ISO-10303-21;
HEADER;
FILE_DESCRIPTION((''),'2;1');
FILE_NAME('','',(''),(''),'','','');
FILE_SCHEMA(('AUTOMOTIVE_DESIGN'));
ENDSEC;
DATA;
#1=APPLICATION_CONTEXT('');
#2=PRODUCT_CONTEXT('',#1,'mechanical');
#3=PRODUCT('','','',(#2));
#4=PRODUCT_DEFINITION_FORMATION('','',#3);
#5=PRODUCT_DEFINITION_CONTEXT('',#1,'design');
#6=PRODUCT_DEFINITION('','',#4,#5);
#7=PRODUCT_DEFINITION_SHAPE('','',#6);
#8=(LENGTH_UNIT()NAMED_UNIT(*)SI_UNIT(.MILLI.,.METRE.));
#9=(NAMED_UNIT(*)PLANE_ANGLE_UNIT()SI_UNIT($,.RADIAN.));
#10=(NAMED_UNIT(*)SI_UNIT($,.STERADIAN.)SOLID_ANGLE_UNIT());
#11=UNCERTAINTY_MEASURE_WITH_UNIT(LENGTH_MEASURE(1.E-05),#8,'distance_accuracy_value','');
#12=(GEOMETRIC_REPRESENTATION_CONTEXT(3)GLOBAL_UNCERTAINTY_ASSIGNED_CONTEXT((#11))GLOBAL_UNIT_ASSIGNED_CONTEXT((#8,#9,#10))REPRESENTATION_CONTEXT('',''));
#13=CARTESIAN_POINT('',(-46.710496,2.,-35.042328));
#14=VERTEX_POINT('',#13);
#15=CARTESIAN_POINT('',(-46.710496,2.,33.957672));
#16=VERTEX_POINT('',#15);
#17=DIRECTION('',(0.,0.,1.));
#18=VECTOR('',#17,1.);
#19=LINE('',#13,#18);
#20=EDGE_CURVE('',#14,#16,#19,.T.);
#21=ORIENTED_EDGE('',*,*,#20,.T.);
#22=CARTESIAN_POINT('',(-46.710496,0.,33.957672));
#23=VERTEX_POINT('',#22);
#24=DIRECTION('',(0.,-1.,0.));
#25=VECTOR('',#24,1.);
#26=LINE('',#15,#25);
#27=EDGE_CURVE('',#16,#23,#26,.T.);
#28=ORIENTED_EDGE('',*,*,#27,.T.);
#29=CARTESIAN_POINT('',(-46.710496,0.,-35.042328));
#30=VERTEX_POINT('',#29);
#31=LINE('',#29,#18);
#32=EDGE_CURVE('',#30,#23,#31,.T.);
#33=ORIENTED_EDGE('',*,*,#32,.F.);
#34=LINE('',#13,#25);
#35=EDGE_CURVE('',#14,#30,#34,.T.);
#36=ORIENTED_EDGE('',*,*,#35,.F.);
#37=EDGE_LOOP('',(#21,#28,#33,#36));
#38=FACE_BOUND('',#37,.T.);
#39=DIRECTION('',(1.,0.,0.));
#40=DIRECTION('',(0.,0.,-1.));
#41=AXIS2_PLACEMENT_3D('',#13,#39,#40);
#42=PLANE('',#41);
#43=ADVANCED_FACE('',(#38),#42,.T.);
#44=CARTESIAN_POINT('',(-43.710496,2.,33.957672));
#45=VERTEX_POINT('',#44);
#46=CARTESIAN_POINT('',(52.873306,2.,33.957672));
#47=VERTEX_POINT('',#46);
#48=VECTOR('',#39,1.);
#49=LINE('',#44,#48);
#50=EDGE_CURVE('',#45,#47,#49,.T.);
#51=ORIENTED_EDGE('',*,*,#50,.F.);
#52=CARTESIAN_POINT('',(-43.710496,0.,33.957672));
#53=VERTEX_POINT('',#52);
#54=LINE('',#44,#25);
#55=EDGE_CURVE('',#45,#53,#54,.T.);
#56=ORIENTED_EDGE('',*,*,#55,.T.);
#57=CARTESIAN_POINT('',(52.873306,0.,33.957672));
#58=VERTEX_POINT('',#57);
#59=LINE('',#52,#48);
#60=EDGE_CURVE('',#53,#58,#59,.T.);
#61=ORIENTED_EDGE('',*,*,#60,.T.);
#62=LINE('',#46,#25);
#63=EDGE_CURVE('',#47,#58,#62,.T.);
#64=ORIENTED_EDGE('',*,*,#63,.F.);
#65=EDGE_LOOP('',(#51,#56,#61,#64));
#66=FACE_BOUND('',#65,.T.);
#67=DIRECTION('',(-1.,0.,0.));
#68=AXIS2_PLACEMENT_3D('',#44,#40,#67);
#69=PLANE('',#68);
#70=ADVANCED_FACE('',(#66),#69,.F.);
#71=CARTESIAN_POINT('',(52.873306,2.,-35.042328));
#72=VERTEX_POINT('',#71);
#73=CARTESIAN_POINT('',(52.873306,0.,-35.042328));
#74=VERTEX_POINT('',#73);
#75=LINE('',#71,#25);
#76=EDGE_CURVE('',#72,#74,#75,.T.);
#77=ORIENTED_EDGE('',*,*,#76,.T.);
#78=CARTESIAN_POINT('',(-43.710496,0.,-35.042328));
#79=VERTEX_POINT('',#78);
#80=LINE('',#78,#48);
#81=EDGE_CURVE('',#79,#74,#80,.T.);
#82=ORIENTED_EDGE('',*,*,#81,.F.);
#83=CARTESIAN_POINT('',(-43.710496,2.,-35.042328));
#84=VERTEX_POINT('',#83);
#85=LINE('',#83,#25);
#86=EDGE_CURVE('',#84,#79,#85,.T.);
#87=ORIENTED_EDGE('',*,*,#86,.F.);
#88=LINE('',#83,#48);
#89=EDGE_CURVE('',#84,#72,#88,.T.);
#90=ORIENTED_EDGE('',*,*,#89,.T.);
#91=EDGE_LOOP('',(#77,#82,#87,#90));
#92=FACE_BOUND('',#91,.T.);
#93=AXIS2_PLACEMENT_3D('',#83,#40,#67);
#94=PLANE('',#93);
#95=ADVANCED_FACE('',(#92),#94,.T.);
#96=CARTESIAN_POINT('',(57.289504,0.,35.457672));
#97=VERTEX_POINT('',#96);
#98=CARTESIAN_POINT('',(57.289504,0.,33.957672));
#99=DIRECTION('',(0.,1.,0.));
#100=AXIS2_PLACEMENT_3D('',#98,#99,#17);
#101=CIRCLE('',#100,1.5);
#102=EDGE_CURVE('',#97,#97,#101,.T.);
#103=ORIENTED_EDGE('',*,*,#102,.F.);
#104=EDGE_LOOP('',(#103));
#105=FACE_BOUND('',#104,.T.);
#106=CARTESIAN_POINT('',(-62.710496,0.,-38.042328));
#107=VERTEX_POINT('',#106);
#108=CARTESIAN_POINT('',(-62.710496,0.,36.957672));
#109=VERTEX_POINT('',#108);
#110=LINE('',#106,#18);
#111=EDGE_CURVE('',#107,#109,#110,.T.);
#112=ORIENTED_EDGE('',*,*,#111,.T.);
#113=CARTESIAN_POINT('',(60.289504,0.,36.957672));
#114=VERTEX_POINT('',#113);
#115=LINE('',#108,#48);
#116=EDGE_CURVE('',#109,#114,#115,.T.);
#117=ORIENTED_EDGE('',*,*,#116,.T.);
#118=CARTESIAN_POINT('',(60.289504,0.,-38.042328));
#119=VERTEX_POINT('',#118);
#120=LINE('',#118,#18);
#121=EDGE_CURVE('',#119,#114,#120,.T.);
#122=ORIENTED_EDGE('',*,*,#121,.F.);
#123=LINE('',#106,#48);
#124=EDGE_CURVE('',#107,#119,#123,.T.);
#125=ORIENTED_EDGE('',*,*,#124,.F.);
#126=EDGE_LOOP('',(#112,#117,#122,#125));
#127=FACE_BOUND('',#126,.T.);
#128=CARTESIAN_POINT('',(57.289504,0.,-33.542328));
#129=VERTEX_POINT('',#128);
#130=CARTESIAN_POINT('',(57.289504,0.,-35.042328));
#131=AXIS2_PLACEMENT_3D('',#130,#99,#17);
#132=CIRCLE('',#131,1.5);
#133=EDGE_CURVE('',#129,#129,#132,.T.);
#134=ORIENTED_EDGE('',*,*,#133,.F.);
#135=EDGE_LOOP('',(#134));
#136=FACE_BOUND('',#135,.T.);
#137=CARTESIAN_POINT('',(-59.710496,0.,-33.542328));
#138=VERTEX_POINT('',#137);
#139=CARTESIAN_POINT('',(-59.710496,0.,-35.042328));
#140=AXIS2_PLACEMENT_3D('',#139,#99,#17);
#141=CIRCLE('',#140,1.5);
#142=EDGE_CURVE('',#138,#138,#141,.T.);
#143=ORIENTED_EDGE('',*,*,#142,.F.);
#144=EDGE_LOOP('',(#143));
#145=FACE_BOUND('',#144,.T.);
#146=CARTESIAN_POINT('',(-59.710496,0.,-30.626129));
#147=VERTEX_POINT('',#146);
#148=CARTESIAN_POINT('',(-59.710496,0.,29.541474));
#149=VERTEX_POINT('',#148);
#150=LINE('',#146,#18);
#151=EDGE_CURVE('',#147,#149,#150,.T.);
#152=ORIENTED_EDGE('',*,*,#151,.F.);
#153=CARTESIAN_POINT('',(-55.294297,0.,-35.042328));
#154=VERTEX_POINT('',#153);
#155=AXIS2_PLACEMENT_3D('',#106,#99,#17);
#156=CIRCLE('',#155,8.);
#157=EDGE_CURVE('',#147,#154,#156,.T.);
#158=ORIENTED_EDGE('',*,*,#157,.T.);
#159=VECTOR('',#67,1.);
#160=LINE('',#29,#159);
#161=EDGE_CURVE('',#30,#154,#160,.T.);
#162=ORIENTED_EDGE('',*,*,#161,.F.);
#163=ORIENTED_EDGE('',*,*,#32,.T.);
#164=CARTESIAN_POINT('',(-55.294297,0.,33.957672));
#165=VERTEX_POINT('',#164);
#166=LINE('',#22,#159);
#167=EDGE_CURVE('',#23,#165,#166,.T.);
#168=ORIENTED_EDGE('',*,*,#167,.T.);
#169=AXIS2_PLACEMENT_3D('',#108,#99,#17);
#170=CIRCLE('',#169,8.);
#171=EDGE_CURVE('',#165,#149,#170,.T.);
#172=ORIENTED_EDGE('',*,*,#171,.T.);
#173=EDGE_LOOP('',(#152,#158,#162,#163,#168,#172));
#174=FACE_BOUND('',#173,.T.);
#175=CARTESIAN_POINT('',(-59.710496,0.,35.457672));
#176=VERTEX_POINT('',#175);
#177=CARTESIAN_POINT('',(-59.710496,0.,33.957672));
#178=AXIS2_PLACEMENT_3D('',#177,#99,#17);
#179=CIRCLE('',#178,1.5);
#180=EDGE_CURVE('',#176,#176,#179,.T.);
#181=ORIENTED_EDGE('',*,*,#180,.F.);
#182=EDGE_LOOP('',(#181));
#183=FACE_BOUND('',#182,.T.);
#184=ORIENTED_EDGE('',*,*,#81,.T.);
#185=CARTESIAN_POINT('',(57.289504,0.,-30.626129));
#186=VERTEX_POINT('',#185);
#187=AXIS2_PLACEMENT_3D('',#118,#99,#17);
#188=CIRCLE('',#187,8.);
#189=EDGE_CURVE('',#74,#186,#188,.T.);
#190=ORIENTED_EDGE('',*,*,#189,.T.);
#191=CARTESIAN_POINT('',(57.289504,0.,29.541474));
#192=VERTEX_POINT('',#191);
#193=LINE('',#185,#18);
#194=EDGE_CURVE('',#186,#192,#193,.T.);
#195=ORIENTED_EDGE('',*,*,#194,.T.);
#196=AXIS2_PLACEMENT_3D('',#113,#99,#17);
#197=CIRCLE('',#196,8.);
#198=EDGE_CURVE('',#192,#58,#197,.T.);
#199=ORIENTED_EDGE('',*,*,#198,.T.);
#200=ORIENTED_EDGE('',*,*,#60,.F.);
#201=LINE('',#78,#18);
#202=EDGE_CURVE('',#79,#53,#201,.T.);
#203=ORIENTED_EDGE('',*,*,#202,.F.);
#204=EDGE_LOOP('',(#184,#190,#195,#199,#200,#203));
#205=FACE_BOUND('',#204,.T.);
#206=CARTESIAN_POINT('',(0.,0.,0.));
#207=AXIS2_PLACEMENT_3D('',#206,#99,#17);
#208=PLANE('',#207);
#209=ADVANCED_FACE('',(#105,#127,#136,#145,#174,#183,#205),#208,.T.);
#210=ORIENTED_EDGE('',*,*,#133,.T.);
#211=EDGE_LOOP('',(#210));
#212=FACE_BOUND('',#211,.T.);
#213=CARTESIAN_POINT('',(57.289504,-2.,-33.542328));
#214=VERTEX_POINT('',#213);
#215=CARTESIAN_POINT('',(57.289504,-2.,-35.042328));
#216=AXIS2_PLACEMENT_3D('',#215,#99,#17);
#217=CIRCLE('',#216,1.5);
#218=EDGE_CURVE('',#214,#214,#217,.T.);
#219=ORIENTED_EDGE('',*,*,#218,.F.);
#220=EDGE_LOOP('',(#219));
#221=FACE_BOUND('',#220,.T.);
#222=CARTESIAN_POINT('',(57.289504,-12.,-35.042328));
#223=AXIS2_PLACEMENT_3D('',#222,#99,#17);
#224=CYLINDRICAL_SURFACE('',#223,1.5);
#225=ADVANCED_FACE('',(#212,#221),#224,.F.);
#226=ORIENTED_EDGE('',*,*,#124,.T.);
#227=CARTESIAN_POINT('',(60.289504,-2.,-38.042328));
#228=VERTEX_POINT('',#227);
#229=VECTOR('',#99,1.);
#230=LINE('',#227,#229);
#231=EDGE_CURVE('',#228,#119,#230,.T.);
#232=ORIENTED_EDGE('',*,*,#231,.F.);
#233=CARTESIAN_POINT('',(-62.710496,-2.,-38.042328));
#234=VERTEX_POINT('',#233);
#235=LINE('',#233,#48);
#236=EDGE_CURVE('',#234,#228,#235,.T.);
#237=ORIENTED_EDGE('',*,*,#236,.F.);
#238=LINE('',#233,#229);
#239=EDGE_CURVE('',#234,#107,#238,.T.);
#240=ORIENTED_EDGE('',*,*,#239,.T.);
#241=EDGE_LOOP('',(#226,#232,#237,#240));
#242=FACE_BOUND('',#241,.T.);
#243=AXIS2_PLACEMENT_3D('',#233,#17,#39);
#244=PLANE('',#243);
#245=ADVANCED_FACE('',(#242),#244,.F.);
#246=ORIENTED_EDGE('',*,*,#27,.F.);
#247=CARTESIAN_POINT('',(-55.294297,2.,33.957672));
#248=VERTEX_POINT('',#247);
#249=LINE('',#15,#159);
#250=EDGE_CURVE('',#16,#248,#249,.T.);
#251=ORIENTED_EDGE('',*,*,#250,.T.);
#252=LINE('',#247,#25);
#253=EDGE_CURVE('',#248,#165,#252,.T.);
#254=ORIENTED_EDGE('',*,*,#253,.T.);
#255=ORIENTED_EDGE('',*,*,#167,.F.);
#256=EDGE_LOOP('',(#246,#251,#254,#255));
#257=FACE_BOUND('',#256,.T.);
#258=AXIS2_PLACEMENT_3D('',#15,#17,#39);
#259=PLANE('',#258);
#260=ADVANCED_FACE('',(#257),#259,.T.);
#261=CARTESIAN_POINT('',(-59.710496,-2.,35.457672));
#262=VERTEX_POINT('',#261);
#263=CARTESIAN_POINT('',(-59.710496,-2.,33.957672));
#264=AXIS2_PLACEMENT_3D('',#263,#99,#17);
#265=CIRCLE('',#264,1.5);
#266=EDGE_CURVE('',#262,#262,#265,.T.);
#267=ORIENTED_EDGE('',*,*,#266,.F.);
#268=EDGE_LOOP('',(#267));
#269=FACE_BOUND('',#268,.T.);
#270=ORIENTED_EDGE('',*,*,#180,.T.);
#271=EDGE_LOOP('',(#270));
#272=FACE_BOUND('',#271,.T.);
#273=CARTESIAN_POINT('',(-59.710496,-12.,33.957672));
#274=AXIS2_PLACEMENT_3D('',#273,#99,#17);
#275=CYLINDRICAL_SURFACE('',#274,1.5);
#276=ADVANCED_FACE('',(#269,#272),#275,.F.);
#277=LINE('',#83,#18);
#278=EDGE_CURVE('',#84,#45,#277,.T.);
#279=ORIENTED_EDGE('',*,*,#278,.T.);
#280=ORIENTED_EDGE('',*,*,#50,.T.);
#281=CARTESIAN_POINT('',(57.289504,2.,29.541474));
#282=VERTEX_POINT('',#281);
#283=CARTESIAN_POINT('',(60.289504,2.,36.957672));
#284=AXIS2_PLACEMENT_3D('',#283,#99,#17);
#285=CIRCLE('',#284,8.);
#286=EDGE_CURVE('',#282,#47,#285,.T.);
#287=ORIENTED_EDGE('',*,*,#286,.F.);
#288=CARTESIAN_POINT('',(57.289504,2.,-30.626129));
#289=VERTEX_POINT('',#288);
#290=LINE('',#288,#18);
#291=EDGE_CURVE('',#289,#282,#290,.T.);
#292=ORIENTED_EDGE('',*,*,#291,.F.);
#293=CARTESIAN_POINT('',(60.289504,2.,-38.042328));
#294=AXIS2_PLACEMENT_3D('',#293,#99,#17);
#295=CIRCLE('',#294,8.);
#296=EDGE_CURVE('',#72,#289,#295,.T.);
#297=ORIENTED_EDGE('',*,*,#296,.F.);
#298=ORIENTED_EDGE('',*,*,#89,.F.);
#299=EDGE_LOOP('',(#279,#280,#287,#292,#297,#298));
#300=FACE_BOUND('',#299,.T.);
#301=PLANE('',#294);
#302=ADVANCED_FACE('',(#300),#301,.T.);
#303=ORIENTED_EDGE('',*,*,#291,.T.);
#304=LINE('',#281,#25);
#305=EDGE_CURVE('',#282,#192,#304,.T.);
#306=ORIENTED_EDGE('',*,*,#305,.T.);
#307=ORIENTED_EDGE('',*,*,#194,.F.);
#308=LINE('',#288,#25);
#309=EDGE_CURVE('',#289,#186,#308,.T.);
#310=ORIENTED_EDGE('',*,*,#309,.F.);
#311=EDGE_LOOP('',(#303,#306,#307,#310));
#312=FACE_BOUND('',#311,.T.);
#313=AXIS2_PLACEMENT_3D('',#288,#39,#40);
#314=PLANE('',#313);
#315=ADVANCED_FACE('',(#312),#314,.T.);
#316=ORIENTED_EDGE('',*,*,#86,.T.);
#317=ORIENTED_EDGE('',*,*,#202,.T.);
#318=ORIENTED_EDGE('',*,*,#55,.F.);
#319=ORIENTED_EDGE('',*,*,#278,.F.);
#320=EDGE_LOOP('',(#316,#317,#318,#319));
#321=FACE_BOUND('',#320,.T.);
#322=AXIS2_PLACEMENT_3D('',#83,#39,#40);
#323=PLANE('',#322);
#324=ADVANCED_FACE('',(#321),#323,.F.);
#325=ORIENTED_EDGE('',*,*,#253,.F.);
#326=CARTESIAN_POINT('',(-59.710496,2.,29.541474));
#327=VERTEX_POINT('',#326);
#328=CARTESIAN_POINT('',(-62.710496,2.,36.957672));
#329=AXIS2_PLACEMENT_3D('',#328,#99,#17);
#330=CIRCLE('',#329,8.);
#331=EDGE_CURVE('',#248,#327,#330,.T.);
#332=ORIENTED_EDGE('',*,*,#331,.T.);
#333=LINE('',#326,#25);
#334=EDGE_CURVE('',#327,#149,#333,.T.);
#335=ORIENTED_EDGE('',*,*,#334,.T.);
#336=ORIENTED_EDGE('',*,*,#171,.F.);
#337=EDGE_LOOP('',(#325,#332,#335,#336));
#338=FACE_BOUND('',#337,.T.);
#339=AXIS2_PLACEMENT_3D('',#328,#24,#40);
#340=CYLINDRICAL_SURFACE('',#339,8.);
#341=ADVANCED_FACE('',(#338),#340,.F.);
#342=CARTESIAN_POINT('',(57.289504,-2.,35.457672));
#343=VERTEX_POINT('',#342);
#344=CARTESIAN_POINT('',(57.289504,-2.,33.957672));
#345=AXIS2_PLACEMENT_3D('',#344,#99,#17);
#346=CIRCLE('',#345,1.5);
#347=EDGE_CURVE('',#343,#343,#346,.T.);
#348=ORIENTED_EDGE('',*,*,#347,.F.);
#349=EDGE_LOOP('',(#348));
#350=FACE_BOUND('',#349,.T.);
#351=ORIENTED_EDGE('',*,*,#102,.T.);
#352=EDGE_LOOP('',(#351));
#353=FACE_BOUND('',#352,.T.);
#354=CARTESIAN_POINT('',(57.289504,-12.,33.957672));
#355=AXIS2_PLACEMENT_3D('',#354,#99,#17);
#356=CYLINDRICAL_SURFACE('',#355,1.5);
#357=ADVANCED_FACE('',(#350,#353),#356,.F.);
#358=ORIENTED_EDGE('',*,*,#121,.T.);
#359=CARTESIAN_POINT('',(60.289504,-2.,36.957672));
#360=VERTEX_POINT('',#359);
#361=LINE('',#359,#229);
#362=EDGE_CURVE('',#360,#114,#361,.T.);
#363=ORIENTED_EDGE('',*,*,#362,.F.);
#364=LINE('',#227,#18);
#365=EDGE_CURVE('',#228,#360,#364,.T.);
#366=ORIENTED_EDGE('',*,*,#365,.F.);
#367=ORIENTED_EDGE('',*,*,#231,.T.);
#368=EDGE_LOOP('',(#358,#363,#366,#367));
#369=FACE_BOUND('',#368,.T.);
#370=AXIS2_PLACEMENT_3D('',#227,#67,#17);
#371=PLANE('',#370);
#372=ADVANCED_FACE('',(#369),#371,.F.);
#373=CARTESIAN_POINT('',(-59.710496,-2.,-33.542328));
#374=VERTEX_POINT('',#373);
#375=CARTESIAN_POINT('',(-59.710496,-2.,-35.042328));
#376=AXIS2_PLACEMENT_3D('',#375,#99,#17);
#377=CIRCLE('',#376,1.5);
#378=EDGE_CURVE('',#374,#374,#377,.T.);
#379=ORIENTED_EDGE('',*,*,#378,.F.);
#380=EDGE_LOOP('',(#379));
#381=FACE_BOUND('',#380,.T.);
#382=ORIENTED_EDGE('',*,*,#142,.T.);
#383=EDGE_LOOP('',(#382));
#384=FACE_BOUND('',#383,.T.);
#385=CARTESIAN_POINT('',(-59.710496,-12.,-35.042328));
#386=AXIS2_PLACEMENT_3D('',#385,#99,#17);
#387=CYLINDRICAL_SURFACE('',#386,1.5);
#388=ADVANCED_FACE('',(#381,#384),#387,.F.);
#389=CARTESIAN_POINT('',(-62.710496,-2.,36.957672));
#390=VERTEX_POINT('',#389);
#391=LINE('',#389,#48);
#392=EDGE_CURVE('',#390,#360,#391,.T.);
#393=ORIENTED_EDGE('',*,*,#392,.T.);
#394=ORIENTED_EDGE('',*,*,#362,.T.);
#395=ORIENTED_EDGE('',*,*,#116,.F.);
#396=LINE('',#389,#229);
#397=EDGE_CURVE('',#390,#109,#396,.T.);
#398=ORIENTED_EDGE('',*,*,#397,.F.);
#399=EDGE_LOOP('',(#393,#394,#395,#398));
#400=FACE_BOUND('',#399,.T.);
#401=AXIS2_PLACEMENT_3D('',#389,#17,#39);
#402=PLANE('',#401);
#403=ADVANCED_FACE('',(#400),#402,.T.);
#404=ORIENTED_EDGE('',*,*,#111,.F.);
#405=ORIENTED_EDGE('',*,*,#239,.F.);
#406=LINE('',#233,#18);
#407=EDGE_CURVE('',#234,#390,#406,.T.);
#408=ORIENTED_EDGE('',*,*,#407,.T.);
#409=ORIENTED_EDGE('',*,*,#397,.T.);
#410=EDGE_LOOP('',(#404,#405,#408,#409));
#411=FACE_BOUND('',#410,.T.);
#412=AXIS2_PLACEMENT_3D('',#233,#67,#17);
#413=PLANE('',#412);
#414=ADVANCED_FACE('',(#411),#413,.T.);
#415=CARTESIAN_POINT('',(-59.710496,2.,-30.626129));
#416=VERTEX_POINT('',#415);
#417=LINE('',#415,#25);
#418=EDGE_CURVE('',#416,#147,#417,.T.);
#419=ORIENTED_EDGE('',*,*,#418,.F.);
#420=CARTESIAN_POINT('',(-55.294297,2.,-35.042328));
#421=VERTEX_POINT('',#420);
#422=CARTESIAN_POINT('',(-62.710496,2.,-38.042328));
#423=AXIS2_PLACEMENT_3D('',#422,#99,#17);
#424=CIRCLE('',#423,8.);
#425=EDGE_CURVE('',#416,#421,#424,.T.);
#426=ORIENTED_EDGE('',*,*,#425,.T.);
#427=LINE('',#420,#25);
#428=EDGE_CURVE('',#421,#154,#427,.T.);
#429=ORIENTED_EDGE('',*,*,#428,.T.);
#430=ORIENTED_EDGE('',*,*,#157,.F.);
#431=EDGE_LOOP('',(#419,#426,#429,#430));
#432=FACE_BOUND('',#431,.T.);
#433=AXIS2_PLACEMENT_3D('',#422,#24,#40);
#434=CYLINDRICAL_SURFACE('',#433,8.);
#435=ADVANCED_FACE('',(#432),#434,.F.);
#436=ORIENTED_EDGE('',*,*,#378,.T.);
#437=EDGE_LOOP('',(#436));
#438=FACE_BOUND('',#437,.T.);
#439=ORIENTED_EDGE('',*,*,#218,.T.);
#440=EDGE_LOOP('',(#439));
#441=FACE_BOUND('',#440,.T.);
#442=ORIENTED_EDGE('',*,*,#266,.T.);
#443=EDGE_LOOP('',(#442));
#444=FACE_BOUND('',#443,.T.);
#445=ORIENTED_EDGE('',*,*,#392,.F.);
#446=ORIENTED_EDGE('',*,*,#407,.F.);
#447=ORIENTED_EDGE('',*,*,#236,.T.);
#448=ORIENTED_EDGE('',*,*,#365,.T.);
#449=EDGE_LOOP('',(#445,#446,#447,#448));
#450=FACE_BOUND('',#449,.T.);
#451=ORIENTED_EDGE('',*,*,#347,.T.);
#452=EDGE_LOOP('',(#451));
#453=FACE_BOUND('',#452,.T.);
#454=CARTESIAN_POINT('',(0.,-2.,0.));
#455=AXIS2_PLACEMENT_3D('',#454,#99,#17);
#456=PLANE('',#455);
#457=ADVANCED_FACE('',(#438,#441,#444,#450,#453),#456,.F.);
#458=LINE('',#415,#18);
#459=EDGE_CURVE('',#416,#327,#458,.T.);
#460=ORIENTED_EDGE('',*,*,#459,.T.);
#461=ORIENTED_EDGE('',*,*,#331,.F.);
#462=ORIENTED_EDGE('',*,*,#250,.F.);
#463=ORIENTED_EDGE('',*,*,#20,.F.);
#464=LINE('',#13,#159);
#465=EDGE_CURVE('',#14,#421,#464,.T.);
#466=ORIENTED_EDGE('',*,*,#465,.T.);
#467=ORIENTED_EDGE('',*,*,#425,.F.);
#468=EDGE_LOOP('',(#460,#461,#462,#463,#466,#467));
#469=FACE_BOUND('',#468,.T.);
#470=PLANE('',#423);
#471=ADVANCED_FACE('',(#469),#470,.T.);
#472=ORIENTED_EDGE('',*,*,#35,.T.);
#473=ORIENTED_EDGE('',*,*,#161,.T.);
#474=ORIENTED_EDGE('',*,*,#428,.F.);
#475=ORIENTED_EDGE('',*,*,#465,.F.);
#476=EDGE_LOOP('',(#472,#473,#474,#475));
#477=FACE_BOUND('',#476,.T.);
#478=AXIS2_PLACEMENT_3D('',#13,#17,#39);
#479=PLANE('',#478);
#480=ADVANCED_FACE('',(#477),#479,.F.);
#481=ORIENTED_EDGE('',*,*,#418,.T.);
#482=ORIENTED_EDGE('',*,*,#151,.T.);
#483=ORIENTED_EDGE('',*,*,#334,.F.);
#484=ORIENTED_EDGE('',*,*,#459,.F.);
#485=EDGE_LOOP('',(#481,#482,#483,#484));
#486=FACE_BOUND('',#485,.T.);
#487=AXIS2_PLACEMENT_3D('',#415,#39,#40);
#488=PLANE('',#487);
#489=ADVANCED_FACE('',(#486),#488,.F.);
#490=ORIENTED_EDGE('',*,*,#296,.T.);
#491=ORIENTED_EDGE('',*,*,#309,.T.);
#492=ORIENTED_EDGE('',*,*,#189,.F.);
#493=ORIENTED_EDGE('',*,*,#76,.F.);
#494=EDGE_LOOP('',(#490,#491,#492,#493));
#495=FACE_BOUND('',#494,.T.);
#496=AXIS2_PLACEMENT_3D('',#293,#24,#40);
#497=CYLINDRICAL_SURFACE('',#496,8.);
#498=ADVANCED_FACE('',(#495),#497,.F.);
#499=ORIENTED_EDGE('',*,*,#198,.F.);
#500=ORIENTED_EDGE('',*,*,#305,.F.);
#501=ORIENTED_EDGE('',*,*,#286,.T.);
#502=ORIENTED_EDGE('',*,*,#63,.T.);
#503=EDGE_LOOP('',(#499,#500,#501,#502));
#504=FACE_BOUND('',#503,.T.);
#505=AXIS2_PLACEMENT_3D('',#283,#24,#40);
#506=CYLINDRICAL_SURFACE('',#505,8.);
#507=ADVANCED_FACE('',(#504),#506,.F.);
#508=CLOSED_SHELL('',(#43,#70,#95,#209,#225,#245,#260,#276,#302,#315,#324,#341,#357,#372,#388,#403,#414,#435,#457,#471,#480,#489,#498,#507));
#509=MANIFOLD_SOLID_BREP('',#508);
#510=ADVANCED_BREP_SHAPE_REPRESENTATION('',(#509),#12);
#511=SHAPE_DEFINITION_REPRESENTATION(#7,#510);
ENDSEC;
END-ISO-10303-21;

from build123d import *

# Parameters (mm, degrees)
EXTRUDE_1_DEPTH     = 2
EXTRUDE_2_DEPTH     = 2
SKETCH_1_5_W        = 123
SKETCH_1_5_H        = 75
EXTRUDE_3_DEPTH     = 2
SKETCH_1_6_R        = 1.5
CUT_EXTRUDE_1_DEPTH = 12


with BuildPart() as part:
    # Эскиз1 → Бобышка-Вытянуть1 (new body)
    with BuildSketch(Plane(origin=(0, 0, 0), x_dir=(1, 0, 0), z_dir=(0, 1, 0))):
        with BuildLine():
            Line((-46.710495983, 35.042327972), (-55.294297496, 35.042327972))
            ThreePointArc((-55.294297496, 35.042327972), (-57.053641733, 32.385473722), (-59.710495983, 30.626129484))
            Line((-59.710495983, 30.626129484), (-59.710495983, -29.541473541))
            ThreePointArc((-59.710495983, -29.541473541), (-57.053641733, -31.300817779), (-55.294297496, -33.957672028))
            Line((-55.294297496, -33.957672028), (-46.710495983, -33.957672028))
            Line((-46.710495983, -33.957672028), (-46.710495983, 35.042327972))
        make_face()
    extrude(amount=EXTRUDE_1_DEPTH)



with BuildPart() as body_2:
    # Эскиз1<4> → Бобышка-Вытянуть2 (new body)
    with BuildSketch(Plane(origin=(0, 0, 0), x_dir=(1, 0, 0), z_dir=(0, 1, 0))):
        with BuildLine():
            Line((-43.710495983, 35.042327972), (52.87330553, 35.042327972))
            ThreePointArc((52.87330553, 35.042327972), (54.632649768, 32.385473722), (57.289504017, 30.626129484))
            Line((57.289504017, 30.626129484), (57.289504017, -29.541473541))
            ThreePointArc((57.289504017, -29.541473541), (54.632649768, -31.300817779), (52.87330553, -33.957672028))
            Line((52.87330553, -33.957672028), (-43.710495983, -33.957672028))
            Line((-43.710495983, -33.957672028), (-43.710495983, 35.042327972))
        make_face()
    extrude(amount=EXTRUDE_2_DEPTH)


with BuildPart() as part_1:
    add(part.part)

    add(body_2.part)  # Бобышка-Вытянуть3 merges body 2
    # Эскиз1<5> → Бобышка-Вытянуть3 (add)
    with BuildSketch(Plane(origin=(0, 0, 0), x_dir=(1, 0, 0), z_dir=(0, 1, 0))):
        with Locations((-1.210495983, 0.542327972)):
            Rectangle(SKETCH_1_5_W, SKETCH_1_5_H)
    extrude(amount=-EXTRUDE_3_DEPTH)

    # Эскиз1<6> → Вырез-Вытянуть1 (cut)
    with BuildSketch(Plane(origin=(0, 0, 0), x_dir=(1, 0, 0), z_dir=(0, 1, 0))):
        with Locations((-59.710495983, 35.042327972)):
            Circle(SKETCH_1_6_R)
        with Locations((-59.710495983, -33.957672028)):
            Circle(SKETCH_1_6_R)
        with Locations((57.289504017, -33.957672028)):
            Circle(SKETCH_1_6_R)
        with Locations((57.289504017, 35.042327972)):
            Circle(SKETCH_1_6_R)
    extrude(amount=-CUT_EXTRUDE_1_DEPTH, mode=Mode.SUBTRACT)


solid = part_1.part
